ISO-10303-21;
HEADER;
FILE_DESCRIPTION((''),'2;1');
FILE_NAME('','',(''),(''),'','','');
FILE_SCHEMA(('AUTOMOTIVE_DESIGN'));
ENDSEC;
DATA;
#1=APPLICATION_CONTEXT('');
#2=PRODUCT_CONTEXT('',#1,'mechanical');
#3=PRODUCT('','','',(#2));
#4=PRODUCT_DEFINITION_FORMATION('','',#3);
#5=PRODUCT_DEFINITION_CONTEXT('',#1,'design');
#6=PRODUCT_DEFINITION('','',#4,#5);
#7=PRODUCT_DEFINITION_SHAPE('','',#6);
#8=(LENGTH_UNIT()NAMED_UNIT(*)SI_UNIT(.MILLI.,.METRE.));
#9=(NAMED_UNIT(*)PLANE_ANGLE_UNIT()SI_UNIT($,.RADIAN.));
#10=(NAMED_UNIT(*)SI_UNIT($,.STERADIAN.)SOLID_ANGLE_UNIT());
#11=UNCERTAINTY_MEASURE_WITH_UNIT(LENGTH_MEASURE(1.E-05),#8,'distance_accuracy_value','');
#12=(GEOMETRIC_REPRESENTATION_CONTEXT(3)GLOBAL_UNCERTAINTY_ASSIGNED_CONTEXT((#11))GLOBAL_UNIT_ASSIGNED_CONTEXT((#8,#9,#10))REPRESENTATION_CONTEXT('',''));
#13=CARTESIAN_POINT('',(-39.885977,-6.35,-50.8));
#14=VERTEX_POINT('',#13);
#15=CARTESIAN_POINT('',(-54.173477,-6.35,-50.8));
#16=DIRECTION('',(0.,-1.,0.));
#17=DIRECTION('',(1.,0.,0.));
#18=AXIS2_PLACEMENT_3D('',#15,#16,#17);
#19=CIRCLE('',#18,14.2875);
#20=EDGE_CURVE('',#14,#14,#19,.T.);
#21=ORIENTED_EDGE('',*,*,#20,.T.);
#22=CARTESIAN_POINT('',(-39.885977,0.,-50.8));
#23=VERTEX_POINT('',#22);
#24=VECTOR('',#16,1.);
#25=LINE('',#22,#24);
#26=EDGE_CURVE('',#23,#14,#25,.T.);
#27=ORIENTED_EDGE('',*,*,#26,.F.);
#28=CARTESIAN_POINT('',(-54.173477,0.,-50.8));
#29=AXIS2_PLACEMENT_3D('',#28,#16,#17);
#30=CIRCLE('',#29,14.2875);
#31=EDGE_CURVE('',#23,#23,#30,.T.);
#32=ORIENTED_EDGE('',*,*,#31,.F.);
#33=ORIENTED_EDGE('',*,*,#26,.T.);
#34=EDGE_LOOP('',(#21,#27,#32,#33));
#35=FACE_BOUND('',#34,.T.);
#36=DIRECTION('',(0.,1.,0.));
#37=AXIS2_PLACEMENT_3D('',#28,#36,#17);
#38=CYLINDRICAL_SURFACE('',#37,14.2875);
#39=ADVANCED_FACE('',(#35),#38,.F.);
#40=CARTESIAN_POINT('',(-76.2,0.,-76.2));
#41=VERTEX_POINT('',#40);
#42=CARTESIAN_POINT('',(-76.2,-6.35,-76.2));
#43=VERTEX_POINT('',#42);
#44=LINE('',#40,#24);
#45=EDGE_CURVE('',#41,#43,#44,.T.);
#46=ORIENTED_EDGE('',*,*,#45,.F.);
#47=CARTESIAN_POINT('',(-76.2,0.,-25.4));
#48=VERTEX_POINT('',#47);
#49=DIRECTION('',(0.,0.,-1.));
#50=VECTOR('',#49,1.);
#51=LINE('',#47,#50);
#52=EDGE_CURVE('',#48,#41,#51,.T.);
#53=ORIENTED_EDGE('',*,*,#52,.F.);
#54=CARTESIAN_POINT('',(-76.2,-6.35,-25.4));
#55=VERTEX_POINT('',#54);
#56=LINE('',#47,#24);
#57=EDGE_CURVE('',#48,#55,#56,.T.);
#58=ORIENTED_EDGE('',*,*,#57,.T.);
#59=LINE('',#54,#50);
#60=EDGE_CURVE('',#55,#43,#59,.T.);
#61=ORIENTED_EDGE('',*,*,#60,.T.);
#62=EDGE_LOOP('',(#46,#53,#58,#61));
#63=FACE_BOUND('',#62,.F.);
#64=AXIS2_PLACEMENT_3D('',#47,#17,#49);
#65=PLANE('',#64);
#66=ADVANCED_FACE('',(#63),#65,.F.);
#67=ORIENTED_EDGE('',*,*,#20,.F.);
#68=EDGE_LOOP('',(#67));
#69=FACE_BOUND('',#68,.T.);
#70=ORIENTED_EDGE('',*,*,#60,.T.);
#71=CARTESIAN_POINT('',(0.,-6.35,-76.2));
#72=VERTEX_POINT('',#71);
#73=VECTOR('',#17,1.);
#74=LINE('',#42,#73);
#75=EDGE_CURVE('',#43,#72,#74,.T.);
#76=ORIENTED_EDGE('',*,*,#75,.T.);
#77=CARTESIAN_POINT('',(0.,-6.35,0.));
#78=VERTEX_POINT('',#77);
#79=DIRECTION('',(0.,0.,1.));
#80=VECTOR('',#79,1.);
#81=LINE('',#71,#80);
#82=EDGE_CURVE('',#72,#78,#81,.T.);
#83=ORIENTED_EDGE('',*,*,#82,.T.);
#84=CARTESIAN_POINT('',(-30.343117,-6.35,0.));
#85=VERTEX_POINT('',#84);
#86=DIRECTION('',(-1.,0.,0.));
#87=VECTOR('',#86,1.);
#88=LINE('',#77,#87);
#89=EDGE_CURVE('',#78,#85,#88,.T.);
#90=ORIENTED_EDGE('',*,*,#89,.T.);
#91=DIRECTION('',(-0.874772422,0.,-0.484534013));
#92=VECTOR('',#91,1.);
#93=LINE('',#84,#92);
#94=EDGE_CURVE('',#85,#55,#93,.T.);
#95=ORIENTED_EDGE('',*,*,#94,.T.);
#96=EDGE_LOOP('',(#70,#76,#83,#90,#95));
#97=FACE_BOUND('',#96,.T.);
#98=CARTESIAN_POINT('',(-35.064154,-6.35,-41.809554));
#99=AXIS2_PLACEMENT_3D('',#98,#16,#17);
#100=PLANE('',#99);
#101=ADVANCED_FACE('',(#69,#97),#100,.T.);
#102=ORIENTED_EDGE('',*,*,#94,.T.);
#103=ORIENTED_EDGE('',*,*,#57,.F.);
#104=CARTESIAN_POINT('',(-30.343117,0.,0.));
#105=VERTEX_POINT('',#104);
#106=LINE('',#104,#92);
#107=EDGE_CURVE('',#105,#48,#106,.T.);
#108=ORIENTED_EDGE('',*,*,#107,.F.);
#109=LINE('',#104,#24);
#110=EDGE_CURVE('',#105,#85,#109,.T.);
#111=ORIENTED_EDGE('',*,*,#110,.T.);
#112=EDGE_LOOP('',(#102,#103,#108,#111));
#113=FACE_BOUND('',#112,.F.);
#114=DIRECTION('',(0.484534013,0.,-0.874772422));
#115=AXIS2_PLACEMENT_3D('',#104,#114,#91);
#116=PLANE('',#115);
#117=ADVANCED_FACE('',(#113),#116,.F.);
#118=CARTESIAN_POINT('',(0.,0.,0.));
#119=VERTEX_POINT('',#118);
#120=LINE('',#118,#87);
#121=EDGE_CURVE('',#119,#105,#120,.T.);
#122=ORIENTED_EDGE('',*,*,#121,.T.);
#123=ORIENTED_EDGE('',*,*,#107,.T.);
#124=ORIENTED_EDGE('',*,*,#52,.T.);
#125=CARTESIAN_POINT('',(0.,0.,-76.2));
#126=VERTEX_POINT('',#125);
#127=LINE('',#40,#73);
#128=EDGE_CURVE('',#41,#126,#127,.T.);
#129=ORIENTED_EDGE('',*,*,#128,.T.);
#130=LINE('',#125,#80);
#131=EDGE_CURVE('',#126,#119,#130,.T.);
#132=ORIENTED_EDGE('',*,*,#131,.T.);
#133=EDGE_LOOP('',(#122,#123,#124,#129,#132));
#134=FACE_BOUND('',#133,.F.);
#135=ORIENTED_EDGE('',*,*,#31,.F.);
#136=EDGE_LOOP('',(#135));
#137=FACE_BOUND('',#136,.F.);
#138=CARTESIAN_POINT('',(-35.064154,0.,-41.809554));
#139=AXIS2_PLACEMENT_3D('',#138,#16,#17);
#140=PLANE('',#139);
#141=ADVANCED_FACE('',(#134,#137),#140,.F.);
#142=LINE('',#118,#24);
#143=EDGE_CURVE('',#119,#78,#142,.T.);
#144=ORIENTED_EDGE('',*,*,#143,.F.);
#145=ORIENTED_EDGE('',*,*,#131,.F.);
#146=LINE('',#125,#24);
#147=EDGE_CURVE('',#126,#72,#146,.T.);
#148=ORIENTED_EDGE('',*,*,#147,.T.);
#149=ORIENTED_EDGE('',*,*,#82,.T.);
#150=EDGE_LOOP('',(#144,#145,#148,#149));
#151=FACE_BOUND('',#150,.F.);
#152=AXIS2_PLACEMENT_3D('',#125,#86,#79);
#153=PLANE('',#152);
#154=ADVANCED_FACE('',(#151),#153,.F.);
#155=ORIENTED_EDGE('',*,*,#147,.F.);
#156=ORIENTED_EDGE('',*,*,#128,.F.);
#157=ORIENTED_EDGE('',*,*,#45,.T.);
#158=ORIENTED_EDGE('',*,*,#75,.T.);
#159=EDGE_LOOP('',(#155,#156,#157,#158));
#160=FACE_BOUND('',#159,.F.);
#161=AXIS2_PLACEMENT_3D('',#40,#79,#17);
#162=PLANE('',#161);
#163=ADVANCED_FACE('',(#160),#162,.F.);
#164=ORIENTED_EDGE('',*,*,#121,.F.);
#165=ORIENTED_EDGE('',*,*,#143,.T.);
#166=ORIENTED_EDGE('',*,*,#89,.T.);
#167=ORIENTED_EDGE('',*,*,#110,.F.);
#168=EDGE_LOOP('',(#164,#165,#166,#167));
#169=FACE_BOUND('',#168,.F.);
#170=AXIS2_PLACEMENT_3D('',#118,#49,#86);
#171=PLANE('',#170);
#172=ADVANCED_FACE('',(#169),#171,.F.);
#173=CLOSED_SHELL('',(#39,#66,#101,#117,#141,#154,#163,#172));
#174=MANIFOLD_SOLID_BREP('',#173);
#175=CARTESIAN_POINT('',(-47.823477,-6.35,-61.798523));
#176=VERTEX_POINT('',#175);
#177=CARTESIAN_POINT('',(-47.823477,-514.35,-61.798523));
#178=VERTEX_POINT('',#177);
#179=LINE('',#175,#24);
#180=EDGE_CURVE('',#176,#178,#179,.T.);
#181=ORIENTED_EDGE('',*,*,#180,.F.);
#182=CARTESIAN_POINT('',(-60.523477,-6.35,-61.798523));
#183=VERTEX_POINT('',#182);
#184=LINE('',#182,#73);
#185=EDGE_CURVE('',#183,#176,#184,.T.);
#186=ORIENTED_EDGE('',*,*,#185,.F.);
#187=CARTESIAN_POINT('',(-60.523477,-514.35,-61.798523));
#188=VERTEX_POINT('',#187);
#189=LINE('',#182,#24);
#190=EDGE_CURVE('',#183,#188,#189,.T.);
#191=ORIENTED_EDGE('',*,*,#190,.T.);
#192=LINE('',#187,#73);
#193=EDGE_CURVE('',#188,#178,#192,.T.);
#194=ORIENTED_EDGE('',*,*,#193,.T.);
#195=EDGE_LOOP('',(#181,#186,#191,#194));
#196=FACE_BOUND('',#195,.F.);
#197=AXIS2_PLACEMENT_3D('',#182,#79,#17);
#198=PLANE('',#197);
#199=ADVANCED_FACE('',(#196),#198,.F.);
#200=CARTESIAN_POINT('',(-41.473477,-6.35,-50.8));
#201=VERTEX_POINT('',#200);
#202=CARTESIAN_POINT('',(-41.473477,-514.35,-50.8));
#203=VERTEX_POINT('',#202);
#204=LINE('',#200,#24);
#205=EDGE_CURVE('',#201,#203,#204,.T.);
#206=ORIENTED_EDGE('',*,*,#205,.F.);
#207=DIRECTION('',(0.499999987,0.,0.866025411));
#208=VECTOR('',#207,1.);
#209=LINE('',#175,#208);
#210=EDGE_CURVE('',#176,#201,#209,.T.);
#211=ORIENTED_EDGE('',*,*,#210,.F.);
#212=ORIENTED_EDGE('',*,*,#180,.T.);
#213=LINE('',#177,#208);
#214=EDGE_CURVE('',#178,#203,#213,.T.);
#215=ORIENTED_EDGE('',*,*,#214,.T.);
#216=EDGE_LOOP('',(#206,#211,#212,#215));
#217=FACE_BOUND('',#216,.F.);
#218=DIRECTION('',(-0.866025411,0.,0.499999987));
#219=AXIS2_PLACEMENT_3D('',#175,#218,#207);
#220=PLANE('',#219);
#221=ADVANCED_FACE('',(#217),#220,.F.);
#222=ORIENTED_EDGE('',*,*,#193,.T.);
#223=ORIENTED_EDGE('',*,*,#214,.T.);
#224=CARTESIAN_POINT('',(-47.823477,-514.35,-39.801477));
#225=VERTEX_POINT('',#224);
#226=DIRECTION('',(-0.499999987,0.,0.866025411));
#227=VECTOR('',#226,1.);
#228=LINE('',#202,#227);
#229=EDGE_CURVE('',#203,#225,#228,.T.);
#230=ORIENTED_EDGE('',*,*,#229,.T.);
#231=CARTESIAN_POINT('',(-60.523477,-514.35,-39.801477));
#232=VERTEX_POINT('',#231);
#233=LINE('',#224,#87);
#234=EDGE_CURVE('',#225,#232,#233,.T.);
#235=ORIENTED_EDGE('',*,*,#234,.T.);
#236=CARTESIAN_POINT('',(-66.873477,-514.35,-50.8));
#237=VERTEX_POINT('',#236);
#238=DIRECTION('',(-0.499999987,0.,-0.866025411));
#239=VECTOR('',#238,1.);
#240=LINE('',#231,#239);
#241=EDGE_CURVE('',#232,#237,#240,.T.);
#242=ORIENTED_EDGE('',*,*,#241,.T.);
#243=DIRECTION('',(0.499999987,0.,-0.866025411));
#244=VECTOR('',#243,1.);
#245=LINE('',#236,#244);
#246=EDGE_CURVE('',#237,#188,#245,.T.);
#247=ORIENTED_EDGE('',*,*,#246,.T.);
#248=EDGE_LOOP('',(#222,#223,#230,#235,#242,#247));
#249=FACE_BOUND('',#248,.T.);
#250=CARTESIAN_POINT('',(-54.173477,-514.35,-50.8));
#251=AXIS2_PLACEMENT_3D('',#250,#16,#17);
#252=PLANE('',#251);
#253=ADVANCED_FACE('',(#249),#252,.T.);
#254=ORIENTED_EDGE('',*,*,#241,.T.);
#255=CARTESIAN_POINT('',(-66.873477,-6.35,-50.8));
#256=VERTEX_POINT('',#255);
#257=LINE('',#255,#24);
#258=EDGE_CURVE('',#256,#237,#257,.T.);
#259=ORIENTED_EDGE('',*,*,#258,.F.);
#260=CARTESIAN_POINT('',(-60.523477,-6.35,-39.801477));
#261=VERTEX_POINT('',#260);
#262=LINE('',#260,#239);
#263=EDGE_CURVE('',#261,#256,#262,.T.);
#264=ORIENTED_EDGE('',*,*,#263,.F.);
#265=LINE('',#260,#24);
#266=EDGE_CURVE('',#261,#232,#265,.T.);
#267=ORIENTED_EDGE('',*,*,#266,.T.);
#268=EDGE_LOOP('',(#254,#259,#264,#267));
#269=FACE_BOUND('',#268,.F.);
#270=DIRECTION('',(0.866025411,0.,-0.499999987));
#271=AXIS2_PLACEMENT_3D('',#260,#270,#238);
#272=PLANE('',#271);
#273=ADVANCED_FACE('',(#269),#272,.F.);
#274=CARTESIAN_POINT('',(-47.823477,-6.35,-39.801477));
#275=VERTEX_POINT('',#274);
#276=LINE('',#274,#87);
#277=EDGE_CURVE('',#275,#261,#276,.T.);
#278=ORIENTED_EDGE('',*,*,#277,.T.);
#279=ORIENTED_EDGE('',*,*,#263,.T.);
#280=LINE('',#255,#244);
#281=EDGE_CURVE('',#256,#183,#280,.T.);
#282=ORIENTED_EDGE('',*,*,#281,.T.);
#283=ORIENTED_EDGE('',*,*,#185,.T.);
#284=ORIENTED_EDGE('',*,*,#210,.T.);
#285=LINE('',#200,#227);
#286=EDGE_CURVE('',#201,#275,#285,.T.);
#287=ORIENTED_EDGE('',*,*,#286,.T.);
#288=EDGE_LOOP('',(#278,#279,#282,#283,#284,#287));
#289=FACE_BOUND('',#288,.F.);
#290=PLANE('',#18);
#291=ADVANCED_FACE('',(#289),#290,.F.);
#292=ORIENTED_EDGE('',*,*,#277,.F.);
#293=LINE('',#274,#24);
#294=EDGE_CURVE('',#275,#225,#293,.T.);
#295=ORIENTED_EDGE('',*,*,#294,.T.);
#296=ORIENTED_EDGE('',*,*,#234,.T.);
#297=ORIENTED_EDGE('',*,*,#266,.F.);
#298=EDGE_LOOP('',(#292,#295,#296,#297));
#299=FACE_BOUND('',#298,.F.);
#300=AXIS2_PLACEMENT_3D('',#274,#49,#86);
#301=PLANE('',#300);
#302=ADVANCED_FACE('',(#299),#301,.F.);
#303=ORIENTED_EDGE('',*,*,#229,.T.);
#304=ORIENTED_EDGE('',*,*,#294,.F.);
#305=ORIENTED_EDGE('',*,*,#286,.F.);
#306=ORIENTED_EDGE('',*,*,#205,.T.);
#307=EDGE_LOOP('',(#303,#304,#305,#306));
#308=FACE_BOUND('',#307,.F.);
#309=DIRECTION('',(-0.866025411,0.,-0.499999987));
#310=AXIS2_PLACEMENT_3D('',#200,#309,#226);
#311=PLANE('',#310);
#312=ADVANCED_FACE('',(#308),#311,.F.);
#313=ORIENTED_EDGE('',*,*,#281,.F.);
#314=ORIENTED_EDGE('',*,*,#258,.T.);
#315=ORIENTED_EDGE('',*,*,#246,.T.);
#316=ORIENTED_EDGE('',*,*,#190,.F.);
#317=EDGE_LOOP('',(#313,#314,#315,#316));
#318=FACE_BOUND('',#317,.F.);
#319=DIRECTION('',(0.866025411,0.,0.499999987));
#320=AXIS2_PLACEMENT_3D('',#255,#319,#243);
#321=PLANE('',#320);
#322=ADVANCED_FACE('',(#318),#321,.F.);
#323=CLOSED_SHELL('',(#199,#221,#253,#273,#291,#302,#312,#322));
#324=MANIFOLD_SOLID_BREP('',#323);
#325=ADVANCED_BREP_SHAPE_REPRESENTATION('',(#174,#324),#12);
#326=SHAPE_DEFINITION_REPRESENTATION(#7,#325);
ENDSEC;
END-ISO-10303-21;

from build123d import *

# Parameters (mm, degrees)
F0_R     = 14.2875
F1_DEPTH = 6.35
F3_DEPTH = 508


with BuildPart() as f1:
    # F0 (on Front) → F1 (new body)
    with BuildSketch(Plane.XZ):
        Polygon((-76.2, -76.2), (0, -76.2), (0, 0), (-30.343117, 0), (-76.2, -25.4), align=None)
        with Locations((-54.173477, -50.8)):
            Circle(F0_R, mode=Mode.SUBTRACT)
    extrude(amount=F1_DEPTH)


with BuildPart() as f3:
    # F2 (on face) → F3 (new body)
    with BuildSketch(Plane.XZ.offset(6.35)):
        Polygon((-47.823477, -39.801477), (-60.523477, -39.801477), (-66.873477, -50.8), (-60.523477, -61.798523), (-47.823477, -61.798523), (-41.473477, -50.8), align=None)
    extrude(amount=F3_DEPTH)


solid = Compound([f1.part, f3.part])
